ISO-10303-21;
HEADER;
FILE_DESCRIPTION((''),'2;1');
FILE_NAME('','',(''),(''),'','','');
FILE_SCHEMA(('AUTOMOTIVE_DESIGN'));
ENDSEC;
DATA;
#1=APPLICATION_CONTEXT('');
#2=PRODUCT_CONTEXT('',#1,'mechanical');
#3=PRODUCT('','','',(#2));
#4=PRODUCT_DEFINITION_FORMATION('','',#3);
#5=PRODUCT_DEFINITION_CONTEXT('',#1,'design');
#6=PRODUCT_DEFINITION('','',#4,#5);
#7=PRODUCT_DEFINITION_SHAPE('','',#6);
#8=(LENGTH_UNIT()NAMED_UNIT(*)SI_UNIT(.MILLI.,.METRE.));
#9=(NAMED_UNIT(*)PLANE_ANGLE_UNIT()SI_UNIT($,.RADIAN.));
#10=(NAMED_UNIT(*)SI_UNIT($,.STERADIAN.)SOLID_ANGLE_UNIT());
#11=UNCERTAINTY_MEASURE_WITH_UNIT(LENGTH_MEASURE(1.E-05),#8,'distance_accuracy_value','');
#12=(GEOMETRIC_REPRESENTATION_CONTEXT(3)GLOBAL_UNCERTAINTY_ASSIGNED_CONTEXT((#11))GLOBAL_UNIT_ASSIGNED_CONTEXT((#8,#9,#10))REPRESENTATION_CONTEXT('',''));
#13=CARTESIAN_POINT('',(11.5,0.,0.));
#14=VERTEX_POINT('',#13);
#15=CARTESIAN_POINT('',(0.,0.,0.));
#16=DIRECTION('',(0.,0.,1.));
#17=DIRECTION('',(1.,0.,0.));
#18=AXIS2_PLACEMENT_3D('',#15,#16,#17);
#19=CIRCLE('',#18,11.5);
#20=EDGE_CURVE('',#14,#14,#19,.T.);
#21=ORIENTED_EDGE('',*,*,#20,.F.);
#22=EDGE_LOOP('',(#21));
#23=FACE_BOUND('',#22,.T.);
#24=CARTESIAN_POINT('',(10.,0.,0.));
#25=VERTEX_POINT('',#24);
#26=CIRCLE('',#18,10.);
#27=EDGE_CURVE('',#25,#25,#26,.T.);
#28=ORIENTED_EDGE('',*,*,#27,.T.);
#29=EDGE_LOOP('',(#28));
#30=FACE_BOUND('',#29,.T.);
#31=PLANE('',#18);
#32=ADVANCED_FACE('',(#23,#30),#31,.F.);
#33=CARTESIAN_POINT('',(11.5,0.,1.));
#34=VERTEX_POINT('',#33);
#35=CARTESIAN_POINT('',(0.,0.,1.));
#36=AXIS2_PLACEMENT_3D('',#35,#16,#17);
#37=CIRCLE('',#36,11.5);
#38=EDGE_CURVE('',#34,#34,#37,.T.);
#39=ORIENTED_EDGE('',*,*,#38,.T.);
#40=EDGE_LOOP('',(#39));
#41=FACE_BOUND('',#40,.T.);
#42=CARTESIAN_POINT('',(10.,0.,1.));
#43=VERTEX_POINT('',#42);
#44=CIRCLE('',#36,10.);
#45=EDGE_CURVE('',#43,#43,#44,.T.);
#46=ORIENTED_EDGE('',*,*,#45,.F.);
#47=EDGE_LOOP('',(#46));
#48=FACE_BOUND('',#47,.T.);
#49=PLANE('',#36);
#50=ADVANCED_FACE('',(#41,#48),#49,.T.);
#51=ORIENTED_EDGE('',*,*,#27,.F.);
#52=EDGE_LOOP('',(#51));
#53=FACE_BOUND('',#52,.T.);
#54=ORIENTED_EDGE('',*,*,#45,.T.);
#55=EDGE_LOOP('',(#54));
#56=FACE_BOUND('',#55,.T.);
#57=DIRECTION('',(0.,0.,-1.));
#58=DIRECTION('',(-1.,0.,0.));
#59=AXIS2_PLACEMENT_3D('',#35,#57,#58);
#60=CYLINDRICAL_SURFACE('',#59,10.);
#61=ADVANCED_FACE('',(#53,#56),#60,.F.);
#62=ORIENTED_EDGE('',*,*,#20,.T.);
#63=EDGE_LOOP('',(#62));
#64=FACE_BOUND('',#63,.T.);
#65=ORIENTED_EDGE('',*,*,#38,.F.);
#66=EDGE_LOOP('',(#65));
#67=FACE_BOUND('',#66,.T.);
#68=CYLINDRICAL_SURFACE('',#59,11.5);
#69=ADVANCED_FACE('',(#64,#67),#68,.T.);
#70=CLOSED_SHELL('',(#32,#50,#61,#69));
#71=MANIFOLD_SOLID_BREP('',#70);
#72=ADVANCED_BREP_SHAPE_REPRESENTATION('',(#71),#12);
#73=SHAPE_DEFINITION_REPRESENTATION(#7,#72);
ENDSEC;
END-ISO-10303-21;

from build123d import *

# Parameters (mm, degrees)
SKETCH_1_R      = 11.5
SKETCH_1_R_2    = 10
EXTRUDE_1_DEPTH = 1


with BuildPart() as part:
    # 草图1 → 凸台-拉伸1 (new body)
    with BuildSketch(Plane.XY):
        Circle(SKETCH_1_R)
        Circle(SKETCH_1_R_2, mode=Mode.SUBTRACT)
    extrude(amount=EXTRUDE_1_DEPTH)


solid = part.part
